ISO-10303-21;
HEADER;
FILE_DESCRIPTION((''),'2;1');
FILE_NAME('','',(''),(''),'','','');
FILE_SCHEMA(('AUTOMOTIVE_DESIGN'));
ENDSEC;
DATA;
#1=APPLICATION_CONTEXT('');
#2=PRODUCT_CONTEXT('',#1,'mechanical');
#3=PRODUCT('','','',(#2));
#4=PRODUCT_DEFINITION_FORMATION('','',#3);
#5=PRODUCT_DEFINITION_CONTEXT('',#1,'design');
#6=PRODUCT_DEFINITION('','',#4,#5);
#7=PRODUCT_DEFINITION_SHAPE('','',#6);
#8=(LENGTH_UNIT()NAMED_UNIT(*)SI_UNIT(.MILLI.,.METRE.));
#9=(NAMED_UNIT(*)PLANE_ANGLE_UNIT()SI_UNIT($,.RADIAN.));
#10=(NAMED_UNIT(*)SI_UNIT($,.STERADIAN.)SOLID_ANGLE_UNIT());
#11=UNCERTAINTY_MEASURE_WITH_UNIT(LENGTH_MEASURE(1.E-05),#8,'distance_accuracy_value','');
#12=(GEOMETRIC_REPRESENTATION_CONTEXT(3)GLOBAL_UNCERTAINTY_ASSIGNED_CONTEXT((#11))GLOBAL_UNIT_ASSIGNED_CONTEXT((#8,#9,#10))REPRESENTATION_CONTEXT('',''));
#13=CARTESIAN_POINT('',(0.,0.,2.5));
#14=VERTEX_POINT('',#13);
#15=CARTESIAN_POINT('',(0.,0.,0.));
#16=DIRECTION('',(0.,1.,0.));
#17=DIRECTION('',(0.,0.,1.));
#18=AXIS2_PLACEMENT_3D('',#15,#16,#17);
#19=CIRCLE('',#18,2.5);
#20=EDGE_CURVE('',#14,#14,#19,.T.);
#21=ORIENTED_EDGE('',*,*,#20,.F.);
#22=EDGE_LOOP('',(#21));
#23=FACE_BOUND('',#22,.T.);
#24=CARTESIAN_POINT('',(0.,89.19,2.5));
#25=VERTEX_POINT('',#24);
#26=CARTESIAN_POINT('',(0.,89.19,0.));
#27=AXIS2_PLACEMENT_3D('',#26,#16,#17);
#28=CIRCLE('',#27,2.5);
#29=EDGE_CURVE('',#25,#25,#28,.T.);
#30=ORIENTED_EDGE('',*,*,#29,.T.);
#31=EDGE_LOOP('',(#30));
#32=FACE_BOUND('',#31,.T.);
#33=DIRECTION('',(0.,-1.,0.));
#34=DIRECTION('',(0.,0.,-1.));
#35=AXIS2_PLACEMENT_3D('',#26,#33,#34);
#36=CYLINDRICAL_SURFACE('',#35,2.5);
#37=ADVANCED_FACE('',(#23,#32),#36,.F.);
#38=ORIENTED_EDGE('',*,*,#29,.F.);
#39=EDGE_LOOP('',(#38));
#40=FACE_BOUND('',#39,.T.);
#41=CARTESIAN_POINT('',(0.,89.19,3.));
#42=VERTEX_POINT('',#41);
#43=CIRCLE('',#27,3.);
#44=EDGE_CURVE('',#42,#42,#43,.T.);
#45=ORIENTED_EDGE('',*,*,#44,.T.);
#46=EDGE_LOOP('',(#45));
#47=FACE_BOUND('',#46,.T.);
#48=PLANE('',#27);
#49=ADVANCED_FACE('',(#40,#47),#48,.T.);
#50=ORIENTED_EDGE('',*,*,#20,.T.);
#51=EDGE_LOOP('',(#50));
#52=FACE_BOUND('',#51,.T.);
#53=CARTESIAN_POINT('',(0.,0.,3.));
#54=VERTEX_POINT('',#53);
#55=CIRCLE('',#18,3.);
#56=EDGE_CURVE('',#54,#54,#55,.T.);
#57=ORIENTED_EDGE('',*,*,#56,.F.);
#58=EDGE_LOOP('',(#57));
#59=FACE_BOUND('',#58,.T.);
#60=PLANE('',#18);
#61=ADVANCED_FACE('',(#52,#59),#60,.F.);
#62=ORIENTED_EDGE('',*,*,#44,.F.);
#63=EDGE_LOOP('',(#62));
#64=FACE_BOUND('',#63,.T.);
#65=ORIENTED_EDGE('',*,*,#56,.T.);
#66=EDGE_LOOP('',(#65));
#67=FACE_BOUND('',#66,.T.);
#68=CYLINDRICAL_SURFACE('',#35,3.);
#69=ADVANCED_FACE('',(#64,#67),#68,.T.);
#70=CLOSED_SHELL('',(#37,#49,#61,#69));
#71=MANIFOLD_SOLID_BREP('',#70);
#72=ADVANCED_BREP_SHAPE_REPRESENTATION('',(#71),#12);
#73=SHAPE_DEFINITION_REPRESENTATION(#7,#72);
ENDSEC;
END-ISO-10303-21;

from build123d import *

# Parameters (mm, degrees)
SKETCH_1_R      = 3
SKETCH_1_R_2    = 2.5
EXTRUDE_1_DEPTH = 89.19


with BuildPart() as part:
    # 草图1 → 凸台-拉伸1 (new body)
    with BuildSketch(Plane(origin=(0, 0, 0), x_dir=(1, 0, 0), z_dir=(0, 1, 0))):
        Circle(SKETCH_1_R)
        Circle(SKETCH_1_R_2, mode=Mode.SUBTRACT)
    extrude(amount=EXTRUDE_1_DEPTH)


solid = part.part
